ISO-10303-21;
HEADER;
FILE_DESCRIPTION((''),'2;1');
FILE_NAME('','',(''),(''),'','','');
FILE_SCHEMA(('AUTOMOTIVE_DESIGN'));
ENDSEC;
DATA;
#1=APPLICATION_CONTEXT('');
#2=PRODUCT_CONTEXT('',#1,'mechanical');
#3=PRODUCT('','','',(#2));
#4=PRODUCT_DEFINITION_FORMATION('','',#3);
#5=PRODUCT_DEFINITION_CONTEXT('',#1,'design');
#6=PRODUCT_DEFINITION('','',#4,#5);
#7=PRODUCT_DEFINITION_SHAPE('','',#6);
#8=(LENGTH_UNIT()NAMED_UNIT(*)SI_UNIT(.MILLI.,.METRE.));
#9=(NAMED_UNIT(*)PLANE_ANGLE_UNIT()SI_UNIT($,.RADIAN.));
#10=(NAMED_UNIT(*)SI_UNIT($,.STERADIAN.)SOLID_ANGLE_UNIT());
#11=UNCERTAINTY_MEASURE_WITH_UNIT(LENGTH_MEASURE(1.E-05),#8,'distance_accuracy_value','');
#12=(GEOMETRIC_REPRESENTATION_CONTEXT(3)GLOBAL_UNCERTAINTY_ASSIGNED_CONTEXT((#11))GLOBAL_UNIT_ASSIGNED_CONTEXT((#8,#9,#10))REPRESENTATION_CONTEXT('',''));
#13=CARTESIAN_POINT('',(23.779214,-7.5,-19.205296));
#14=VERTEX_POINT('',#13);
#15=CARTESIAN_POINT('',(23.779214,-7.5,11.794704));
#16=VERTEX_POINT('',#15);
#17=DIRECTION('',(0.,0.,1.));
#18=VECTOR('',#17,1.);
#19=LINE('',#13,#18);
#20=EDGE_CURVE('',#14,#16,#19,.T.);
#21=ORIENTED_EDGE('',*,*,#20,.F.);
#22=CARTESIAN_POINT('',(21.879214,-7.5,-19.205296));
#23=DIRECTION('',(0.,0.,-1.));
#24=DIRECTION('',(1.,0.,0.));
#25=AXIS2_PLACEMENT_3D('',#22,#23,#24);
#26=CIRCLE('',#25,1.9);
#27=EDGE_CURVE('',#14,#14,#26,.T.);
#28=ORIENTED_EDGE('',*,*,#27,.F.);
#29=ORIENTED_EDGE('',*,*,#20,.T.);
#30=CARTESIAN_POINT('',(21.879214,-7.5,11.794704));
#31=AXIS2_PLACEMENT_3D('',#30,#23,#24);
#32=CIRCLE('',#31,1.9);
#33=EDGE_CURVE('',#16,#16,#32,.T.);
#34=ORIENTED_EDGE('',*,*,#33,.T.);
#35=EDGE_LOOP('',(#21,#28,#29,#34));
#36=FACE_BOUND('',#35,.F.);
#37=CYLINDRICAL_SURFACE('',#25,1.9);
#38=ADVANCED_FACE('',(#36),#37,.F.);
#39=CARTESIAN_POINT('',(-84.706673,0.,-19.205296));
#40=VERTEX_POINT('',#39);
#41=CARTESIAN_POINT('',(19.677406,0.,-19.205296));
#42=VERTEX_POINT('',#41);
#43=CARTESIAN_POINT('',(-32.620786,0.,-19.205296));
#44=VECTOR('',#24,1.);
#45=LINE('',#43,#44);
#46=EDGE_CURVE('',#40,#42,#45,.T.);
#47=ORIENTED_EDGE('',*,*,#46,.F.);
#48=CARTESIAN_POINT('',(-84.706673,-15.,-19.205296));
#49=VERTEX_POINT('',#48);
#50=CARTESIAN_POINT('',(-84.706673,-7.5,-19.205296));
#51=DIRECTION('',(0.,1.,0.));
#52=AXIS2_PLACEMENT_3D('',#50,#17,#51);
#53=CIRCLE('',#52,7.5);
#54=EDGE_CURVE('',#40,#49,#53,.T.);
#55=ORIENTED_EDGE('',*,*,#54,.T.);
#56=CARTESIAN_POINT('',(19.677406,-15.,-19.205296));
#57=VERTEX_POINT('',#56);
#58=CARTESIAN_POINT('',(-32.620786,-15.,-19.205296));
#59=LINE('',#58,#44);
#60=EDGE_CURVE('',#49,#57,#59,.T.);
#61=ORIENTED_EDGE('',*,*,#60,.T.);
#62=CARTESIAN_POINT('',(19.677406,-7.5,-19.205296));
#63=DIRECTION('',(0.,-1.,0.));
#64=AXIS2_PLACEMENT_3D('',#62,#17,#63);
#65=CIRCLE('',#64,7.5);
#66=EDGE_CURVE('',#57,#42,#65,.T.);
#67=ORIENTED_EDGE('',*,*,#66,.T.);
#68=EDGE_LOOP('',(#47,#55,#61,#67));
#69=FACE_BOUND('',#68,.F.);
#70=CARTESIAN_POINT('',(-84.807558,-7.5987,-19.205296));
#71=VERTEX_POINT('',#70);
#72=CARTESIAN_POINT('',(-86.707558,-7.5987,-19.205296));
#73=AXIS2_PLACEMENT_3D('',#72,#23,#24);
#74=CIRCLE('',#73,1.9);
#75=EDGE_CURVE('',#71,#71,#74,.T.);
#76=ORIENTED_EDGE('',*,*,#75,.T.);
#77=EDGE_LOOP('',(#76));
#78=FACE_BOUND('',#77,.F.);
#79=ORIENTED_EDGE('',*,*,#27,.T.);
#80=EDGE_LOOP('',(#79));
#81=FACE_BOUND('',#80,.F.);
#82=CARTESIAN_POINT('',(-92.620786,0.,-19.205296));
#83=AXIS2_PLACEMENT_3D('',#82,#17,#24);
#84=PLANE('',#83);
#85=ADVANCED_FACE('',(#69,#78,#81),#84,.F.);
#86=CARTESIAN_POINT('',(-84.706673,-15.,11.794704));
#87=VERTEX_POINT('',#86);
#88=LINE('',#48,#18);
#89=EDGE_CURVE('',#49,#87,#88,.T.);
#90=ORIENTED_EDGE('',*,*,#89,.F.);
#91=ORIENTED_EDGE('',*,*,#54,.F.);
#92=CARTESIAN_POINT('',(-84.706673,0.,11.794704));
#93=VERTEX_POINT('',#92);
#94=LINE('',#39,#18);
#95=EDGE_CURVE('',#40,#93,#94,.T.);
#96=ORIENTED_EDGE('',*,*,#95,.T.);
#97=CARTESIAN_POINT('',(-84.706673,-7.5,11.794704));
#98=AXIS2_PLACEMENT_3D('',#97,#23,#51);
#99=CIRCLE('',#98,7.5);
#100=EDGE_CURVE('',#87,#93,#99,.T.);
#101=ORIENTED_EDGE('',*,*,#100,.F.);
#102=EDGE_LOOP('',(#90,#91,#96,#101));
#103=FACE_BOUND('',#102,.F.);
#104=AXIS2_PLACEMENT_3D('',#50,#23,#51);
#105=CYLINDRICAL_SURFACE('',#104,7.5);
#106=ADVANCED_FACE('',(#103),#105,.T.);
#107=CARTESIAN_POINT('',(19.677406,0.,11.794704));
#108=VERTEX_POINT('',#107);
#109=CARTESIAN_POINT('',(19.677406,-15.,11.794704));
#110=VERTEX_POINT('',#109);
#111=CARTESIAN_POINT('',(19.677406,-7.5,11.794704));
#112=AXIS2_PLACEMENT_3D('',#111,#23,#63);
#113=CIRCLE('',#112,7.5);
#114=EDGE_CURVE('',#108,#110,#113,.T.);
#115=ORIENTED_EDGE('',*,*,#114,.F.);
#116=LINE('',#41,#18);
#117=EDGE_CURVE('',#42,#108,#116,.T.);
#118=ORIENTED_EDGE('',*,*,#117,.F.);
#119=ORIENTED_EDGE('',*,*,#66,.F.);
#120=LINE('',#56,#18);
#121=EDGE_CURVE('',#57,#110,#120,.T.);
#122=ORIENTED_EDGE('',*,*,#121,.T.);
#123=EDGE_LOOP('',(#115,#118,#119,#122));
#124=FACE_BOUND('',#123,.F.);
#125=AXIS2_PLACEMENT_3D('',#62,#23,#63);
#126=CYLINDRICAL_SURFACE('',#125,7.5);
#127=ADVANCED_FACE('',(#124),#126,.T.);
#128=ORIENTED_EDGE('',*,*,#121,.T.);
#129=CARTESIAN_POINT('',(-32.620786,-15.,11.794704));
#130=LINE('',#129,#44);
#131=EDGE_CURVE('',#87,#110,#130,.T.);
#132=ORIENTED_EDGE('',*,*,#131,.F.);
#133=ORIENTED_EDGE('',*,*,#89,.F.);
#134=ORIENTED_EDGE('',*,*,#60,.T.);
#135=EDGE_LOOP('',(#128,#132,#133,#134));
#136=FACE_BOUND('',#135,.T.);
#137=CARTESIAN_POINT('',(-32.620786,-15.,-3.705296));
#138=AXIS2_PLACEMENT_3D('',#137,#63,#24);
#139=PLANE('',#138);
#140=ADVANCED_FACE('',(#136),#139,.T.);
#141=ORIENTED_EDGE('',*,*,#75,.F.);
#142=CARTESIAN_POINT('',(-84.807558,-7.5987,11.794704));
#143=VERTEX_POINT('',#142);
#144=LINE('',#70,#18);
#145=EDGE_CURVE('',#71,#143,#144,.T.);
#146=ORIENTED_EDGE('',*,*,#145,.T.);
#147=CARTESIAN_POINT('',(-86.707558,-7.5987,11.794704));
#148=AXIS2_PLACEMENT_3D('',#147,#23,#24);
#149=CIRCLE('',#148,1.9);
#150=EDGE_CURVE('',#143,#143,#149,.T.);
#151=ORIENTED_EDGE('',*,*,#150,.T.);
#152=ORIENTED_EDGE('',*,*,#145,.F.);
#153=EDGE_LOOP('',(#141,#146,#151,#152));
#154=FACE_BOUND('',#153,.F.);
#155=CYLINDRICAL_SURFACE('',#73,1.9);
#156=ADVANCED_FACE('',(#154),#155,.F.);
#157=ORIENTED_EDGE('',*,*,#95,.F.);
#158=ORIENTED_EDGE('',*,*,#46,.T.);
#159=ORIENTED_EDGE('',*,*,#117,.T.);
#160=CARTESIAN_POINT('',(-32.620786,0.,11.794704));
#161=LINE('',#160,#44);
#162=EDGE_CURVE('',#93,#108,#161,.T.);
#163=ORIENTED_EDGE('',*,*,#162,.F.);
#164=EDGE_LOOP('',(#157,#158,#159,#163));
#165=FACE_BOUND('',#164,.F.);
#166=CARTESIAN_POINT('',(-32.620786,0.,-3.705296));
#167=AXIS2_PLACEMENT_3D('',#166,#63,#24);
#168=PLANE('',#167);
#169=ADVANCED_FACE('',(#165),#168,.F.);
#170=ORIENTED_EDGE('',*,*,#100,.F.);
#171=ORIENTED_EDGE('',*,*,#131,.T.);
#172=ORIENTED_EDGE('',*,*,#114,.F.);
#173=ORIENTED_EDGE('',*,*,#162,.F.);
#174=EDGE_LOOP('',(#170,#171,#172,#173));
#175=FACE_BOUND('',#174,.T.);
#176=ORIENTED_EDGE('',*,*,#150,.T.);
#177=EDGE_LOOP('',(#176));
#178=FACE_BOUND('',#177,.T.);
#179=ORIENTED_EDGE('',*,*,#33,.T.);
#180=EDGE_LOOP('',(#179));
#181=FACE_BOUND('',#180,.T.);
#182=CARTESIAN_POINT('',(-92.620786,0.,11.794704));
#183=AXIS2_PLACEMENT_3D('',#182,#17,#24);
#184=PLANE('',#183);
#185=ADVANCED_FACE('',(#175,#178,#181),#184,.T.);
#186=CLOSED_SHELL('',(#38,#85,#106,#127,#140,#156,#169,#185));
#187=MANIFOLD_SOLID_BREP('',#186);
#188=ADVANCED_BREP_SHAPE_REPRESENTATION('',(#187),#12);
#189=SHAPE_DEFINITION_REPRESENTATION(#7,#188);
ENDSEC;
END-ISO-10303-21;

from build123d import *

# Parameters (mm, degrees)
F0_W     = 120
F0_H     = 31
F1_DEPTH = 15
F2_R     = 1.9
F3_DEPTH = 60
F5_DEPTH = 70
F6_R     = 1.9
F7_DEPTH = 80
F9_DEPTH = 70


with BuildPart() as f1:
    # F0 (on Front) → F1 (new body)
    with BuildSketch(Plane.XZ):
        with Locations((-32.620786, -3.705296)):
            Rectangle(F0_W, F0_H)
    extrude(amount=F1_DEPTH)

    # F2 (on face) → F3 (cut)
    with BuildSketch(Plane(origin=(0, 0, -19.205296), x_dir=(1, 0, 0), z_dir=(0, 0, -1))):
        with Locations((21.879214, 7.5)):
            Circle(F2_R)
    extrude(amount=-F3_DEPTH, mode=Mode.SUBTRACT)

    # F4 (on face) → F5 (cut)
    with BuildSketch(Plane(origin=(0, 0, -19.205296), x_dir=(1, 0, 0), z_dir=(0, 0, -1))):
        with BuildLine():
            ThreePointArc((-84.706673, 0), (-92.206673, 7.5), (-84.706673, 15))
            Line((-84.706673, 15), (-92.620786, 15))
            Line((-92.620786, 15), (-92.620786, 0))
            Line((-92.620786, 0), (-84.706673, 0))
        make_face()
    extrude(amount=-F5_DEPTH, mode=Mode.SUBTRACT)

    # F6 (on face) → F7 (cut)
    with BuildSketch(Plane(origin=(0, 0, -19.205296), x_dir=(1, 0, 0), z_dir=(0, 0, -1))):
        with Locations((-86.707558, 7.5987)):
            Circle(F6_R)
    extrude(amount=-F7_DEPTH, mode=Mode.SUBTRACT)

    # F8 (on face) → F9 (cut)
    with BuildSketch(Plane(origin=(0, 0, -19.205296), x_dir=(1, 0, 0), z_dir=(0, 0, -1))):
        with BuildLine():
            ThreePointArc((19.677406, 15), (27.177406, 7.5), (19.677406, 0))
            Line((19.677406, 0), (27.379214, 0))
            Line((27.379214, 0), (27.379214, 15))
            Line((27.379214, 15), (19.677406, 15))
        make_face()
    extrude(amount=-F9_DEPTH, mode=Mode.SUBTRACT)


solid = f1.part
